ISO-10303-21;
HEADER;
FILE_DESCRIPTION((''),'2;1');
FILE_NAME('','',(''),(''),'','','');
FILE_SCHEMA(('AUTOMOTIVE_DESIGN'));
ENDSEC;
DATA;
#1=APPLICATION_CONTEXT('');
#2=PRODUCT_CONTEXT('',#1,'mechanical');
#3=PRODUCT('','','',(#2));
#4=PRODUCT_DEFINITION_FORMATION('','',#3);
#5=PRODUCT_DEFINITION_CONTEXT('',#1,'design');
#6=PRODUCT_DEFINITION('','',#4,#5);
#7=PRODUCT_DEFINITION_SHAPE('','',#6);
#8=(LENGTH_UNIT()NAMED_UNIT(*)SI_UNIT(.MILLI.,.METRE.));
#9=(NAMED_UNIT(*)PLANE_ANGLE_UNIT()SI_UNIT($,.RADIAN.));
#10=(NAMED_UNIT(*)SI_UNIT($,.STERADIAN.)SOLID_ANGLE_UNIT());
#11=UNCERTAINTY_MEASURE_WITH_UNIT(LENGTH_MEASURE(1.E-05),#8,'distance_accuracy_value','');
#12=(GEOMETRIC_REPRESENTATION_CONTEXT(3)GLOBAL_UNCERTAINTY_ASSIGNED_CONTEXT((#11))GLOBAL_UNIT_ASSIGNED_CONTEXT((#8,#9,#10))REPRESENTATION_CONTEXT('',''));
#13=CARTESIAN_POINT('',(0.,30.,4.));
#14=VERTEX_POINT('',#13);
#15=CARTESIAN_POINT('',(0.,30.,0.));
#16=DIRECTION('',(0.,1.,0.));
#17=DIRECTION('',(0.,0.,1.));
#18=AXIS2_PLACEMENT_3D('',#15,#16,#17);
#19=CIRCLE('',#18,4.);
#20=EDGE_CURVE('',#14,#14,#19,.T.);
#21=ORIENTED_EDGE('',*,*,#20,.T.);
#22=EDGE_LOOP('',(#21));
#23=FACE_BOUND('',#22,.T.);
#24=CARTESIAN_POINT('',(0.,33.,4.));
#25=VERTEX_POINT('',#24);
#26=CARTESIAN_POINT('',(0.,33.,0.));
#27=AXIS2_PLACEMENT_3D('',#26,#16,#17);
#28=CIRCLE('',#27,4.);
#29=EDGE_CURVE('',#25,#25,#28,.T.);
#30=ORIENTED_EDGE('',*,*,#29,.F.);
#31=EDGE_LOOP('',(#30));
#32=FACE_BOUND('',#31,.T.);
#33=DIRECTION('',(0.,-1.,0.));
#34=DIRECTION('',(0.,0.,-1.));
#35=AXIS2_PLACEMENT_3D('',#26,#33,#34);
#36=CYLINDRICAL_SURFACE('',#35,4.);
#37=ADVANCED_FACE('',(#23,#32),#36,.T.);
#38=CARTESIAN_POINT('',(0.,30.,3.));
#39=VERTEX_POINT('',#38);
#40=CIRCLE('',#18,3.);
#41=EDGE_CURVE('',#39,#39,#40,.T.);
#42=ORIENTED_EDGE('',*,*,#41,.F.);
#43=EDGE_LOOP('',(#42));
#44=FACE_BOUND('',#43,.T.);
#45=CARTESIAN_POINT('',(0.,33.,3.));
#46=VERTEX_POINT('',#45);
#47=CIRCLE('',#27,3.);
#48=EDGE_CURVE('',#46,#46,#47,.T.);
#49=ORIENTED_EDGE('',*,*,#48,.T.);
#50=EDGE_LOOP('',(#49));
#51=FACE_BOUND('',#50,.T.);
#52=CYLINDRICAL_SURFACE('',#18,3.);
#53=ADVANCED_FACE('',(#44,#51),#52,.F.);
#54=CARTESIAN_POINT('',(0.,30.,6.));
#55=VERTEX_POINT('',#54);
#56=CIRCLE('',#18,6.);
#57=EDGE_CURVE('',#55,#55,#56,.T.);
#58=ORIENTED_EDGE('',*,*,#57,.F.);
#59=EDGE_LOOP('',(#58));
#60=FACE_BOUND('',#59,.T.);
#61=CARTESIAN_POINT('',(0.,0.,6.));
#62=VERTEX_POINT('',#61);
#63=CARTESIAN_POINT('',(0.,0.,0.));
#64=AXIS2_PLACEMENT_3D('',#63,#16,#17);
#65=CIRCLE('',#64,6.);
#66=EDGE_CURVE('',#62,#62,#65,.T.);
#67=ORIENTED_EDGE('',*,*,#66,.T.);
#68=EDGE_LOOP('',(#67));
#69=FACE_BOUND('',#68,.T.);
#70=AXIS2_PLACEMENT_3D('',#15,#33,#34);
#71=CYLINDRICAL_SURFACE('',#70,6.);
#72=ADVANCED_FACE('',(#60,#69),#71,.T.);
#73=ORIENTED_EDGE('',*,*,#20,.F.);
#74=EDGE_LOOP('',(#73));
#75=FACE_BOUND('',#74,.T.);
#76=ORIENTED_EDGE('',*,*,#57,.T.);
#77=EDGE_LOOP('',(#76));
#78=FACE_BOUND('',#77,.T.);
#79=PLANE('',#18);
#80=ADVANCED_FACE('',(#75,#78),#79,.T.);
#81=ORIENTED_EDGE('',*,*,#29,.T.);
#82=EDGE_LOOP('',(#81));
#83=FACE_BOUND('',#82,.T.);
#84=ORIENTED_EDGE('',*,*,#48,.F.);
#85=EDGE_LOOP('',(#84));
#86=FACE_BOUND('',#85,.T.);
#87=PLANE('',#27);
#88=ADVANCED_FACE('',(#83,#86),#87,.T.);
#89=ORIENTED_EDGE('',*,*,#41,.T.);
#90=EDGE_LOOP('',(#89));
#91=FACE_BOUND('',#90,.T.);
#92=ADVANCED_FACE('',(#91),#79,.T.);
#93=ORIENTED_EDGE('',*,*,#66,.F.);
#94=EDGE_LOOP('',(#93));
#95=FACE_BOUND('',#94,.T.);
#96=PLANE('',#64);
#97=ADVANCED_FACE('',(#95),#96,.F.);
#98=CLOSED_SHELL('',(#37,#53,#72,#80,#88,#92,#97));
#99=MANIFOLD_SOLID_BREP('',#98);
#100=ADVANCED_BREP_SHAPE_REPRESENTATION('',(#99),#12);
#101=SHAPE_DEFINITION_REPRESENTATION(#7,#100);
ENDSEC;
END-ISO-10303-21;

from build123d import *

# Parameters (mm, degrees)
SKETCH2_R           = 6
BOSS_EXTRUDE1_DEPTH = 30
SKETCH3_R           = 4
BOSS_EXTRUDE2_DEPTH = 3
SKETCH4_R           = 3
CUT_EXTRUDE1_DEPTH  = 3


with BuildPart() as part:
    # Sketch2 → Boss-Extrude1 (new body)
    with BuildSketch(Plane(origin=(0, 0, 0), x_dir=(1, 0, 0), z_dir=(0, 1, 0))):
        Circle(SKETCH2_R)
    extrude(amount=BOSS_EXTRUDE1_DEPTH)

    # Sketch3 → Boss-Extrude2 (add)
    with BuildSketch(Plane(origin=(0, 30, 0), x_dir=(1, 0, 0), z_dir=(0, 1, 0))):
        Circle(SKETCH3_R)
    extrude(amount=BOSS_EXTRUDE2_DEPTH)

    # Sketch4 → Cut-Extrude1 (cut)
    with BuildSketch(Plane(origin=(0, 33, 0), x_dir=(1, 0, 0), z_dir=(0, 1, 0))):
        Circle(SKETCH4_R)
    extrude(amount=-CUT_EXTRUDE1_DEPTH, mode=Mode.SUBTRACT)


solid = part.part
